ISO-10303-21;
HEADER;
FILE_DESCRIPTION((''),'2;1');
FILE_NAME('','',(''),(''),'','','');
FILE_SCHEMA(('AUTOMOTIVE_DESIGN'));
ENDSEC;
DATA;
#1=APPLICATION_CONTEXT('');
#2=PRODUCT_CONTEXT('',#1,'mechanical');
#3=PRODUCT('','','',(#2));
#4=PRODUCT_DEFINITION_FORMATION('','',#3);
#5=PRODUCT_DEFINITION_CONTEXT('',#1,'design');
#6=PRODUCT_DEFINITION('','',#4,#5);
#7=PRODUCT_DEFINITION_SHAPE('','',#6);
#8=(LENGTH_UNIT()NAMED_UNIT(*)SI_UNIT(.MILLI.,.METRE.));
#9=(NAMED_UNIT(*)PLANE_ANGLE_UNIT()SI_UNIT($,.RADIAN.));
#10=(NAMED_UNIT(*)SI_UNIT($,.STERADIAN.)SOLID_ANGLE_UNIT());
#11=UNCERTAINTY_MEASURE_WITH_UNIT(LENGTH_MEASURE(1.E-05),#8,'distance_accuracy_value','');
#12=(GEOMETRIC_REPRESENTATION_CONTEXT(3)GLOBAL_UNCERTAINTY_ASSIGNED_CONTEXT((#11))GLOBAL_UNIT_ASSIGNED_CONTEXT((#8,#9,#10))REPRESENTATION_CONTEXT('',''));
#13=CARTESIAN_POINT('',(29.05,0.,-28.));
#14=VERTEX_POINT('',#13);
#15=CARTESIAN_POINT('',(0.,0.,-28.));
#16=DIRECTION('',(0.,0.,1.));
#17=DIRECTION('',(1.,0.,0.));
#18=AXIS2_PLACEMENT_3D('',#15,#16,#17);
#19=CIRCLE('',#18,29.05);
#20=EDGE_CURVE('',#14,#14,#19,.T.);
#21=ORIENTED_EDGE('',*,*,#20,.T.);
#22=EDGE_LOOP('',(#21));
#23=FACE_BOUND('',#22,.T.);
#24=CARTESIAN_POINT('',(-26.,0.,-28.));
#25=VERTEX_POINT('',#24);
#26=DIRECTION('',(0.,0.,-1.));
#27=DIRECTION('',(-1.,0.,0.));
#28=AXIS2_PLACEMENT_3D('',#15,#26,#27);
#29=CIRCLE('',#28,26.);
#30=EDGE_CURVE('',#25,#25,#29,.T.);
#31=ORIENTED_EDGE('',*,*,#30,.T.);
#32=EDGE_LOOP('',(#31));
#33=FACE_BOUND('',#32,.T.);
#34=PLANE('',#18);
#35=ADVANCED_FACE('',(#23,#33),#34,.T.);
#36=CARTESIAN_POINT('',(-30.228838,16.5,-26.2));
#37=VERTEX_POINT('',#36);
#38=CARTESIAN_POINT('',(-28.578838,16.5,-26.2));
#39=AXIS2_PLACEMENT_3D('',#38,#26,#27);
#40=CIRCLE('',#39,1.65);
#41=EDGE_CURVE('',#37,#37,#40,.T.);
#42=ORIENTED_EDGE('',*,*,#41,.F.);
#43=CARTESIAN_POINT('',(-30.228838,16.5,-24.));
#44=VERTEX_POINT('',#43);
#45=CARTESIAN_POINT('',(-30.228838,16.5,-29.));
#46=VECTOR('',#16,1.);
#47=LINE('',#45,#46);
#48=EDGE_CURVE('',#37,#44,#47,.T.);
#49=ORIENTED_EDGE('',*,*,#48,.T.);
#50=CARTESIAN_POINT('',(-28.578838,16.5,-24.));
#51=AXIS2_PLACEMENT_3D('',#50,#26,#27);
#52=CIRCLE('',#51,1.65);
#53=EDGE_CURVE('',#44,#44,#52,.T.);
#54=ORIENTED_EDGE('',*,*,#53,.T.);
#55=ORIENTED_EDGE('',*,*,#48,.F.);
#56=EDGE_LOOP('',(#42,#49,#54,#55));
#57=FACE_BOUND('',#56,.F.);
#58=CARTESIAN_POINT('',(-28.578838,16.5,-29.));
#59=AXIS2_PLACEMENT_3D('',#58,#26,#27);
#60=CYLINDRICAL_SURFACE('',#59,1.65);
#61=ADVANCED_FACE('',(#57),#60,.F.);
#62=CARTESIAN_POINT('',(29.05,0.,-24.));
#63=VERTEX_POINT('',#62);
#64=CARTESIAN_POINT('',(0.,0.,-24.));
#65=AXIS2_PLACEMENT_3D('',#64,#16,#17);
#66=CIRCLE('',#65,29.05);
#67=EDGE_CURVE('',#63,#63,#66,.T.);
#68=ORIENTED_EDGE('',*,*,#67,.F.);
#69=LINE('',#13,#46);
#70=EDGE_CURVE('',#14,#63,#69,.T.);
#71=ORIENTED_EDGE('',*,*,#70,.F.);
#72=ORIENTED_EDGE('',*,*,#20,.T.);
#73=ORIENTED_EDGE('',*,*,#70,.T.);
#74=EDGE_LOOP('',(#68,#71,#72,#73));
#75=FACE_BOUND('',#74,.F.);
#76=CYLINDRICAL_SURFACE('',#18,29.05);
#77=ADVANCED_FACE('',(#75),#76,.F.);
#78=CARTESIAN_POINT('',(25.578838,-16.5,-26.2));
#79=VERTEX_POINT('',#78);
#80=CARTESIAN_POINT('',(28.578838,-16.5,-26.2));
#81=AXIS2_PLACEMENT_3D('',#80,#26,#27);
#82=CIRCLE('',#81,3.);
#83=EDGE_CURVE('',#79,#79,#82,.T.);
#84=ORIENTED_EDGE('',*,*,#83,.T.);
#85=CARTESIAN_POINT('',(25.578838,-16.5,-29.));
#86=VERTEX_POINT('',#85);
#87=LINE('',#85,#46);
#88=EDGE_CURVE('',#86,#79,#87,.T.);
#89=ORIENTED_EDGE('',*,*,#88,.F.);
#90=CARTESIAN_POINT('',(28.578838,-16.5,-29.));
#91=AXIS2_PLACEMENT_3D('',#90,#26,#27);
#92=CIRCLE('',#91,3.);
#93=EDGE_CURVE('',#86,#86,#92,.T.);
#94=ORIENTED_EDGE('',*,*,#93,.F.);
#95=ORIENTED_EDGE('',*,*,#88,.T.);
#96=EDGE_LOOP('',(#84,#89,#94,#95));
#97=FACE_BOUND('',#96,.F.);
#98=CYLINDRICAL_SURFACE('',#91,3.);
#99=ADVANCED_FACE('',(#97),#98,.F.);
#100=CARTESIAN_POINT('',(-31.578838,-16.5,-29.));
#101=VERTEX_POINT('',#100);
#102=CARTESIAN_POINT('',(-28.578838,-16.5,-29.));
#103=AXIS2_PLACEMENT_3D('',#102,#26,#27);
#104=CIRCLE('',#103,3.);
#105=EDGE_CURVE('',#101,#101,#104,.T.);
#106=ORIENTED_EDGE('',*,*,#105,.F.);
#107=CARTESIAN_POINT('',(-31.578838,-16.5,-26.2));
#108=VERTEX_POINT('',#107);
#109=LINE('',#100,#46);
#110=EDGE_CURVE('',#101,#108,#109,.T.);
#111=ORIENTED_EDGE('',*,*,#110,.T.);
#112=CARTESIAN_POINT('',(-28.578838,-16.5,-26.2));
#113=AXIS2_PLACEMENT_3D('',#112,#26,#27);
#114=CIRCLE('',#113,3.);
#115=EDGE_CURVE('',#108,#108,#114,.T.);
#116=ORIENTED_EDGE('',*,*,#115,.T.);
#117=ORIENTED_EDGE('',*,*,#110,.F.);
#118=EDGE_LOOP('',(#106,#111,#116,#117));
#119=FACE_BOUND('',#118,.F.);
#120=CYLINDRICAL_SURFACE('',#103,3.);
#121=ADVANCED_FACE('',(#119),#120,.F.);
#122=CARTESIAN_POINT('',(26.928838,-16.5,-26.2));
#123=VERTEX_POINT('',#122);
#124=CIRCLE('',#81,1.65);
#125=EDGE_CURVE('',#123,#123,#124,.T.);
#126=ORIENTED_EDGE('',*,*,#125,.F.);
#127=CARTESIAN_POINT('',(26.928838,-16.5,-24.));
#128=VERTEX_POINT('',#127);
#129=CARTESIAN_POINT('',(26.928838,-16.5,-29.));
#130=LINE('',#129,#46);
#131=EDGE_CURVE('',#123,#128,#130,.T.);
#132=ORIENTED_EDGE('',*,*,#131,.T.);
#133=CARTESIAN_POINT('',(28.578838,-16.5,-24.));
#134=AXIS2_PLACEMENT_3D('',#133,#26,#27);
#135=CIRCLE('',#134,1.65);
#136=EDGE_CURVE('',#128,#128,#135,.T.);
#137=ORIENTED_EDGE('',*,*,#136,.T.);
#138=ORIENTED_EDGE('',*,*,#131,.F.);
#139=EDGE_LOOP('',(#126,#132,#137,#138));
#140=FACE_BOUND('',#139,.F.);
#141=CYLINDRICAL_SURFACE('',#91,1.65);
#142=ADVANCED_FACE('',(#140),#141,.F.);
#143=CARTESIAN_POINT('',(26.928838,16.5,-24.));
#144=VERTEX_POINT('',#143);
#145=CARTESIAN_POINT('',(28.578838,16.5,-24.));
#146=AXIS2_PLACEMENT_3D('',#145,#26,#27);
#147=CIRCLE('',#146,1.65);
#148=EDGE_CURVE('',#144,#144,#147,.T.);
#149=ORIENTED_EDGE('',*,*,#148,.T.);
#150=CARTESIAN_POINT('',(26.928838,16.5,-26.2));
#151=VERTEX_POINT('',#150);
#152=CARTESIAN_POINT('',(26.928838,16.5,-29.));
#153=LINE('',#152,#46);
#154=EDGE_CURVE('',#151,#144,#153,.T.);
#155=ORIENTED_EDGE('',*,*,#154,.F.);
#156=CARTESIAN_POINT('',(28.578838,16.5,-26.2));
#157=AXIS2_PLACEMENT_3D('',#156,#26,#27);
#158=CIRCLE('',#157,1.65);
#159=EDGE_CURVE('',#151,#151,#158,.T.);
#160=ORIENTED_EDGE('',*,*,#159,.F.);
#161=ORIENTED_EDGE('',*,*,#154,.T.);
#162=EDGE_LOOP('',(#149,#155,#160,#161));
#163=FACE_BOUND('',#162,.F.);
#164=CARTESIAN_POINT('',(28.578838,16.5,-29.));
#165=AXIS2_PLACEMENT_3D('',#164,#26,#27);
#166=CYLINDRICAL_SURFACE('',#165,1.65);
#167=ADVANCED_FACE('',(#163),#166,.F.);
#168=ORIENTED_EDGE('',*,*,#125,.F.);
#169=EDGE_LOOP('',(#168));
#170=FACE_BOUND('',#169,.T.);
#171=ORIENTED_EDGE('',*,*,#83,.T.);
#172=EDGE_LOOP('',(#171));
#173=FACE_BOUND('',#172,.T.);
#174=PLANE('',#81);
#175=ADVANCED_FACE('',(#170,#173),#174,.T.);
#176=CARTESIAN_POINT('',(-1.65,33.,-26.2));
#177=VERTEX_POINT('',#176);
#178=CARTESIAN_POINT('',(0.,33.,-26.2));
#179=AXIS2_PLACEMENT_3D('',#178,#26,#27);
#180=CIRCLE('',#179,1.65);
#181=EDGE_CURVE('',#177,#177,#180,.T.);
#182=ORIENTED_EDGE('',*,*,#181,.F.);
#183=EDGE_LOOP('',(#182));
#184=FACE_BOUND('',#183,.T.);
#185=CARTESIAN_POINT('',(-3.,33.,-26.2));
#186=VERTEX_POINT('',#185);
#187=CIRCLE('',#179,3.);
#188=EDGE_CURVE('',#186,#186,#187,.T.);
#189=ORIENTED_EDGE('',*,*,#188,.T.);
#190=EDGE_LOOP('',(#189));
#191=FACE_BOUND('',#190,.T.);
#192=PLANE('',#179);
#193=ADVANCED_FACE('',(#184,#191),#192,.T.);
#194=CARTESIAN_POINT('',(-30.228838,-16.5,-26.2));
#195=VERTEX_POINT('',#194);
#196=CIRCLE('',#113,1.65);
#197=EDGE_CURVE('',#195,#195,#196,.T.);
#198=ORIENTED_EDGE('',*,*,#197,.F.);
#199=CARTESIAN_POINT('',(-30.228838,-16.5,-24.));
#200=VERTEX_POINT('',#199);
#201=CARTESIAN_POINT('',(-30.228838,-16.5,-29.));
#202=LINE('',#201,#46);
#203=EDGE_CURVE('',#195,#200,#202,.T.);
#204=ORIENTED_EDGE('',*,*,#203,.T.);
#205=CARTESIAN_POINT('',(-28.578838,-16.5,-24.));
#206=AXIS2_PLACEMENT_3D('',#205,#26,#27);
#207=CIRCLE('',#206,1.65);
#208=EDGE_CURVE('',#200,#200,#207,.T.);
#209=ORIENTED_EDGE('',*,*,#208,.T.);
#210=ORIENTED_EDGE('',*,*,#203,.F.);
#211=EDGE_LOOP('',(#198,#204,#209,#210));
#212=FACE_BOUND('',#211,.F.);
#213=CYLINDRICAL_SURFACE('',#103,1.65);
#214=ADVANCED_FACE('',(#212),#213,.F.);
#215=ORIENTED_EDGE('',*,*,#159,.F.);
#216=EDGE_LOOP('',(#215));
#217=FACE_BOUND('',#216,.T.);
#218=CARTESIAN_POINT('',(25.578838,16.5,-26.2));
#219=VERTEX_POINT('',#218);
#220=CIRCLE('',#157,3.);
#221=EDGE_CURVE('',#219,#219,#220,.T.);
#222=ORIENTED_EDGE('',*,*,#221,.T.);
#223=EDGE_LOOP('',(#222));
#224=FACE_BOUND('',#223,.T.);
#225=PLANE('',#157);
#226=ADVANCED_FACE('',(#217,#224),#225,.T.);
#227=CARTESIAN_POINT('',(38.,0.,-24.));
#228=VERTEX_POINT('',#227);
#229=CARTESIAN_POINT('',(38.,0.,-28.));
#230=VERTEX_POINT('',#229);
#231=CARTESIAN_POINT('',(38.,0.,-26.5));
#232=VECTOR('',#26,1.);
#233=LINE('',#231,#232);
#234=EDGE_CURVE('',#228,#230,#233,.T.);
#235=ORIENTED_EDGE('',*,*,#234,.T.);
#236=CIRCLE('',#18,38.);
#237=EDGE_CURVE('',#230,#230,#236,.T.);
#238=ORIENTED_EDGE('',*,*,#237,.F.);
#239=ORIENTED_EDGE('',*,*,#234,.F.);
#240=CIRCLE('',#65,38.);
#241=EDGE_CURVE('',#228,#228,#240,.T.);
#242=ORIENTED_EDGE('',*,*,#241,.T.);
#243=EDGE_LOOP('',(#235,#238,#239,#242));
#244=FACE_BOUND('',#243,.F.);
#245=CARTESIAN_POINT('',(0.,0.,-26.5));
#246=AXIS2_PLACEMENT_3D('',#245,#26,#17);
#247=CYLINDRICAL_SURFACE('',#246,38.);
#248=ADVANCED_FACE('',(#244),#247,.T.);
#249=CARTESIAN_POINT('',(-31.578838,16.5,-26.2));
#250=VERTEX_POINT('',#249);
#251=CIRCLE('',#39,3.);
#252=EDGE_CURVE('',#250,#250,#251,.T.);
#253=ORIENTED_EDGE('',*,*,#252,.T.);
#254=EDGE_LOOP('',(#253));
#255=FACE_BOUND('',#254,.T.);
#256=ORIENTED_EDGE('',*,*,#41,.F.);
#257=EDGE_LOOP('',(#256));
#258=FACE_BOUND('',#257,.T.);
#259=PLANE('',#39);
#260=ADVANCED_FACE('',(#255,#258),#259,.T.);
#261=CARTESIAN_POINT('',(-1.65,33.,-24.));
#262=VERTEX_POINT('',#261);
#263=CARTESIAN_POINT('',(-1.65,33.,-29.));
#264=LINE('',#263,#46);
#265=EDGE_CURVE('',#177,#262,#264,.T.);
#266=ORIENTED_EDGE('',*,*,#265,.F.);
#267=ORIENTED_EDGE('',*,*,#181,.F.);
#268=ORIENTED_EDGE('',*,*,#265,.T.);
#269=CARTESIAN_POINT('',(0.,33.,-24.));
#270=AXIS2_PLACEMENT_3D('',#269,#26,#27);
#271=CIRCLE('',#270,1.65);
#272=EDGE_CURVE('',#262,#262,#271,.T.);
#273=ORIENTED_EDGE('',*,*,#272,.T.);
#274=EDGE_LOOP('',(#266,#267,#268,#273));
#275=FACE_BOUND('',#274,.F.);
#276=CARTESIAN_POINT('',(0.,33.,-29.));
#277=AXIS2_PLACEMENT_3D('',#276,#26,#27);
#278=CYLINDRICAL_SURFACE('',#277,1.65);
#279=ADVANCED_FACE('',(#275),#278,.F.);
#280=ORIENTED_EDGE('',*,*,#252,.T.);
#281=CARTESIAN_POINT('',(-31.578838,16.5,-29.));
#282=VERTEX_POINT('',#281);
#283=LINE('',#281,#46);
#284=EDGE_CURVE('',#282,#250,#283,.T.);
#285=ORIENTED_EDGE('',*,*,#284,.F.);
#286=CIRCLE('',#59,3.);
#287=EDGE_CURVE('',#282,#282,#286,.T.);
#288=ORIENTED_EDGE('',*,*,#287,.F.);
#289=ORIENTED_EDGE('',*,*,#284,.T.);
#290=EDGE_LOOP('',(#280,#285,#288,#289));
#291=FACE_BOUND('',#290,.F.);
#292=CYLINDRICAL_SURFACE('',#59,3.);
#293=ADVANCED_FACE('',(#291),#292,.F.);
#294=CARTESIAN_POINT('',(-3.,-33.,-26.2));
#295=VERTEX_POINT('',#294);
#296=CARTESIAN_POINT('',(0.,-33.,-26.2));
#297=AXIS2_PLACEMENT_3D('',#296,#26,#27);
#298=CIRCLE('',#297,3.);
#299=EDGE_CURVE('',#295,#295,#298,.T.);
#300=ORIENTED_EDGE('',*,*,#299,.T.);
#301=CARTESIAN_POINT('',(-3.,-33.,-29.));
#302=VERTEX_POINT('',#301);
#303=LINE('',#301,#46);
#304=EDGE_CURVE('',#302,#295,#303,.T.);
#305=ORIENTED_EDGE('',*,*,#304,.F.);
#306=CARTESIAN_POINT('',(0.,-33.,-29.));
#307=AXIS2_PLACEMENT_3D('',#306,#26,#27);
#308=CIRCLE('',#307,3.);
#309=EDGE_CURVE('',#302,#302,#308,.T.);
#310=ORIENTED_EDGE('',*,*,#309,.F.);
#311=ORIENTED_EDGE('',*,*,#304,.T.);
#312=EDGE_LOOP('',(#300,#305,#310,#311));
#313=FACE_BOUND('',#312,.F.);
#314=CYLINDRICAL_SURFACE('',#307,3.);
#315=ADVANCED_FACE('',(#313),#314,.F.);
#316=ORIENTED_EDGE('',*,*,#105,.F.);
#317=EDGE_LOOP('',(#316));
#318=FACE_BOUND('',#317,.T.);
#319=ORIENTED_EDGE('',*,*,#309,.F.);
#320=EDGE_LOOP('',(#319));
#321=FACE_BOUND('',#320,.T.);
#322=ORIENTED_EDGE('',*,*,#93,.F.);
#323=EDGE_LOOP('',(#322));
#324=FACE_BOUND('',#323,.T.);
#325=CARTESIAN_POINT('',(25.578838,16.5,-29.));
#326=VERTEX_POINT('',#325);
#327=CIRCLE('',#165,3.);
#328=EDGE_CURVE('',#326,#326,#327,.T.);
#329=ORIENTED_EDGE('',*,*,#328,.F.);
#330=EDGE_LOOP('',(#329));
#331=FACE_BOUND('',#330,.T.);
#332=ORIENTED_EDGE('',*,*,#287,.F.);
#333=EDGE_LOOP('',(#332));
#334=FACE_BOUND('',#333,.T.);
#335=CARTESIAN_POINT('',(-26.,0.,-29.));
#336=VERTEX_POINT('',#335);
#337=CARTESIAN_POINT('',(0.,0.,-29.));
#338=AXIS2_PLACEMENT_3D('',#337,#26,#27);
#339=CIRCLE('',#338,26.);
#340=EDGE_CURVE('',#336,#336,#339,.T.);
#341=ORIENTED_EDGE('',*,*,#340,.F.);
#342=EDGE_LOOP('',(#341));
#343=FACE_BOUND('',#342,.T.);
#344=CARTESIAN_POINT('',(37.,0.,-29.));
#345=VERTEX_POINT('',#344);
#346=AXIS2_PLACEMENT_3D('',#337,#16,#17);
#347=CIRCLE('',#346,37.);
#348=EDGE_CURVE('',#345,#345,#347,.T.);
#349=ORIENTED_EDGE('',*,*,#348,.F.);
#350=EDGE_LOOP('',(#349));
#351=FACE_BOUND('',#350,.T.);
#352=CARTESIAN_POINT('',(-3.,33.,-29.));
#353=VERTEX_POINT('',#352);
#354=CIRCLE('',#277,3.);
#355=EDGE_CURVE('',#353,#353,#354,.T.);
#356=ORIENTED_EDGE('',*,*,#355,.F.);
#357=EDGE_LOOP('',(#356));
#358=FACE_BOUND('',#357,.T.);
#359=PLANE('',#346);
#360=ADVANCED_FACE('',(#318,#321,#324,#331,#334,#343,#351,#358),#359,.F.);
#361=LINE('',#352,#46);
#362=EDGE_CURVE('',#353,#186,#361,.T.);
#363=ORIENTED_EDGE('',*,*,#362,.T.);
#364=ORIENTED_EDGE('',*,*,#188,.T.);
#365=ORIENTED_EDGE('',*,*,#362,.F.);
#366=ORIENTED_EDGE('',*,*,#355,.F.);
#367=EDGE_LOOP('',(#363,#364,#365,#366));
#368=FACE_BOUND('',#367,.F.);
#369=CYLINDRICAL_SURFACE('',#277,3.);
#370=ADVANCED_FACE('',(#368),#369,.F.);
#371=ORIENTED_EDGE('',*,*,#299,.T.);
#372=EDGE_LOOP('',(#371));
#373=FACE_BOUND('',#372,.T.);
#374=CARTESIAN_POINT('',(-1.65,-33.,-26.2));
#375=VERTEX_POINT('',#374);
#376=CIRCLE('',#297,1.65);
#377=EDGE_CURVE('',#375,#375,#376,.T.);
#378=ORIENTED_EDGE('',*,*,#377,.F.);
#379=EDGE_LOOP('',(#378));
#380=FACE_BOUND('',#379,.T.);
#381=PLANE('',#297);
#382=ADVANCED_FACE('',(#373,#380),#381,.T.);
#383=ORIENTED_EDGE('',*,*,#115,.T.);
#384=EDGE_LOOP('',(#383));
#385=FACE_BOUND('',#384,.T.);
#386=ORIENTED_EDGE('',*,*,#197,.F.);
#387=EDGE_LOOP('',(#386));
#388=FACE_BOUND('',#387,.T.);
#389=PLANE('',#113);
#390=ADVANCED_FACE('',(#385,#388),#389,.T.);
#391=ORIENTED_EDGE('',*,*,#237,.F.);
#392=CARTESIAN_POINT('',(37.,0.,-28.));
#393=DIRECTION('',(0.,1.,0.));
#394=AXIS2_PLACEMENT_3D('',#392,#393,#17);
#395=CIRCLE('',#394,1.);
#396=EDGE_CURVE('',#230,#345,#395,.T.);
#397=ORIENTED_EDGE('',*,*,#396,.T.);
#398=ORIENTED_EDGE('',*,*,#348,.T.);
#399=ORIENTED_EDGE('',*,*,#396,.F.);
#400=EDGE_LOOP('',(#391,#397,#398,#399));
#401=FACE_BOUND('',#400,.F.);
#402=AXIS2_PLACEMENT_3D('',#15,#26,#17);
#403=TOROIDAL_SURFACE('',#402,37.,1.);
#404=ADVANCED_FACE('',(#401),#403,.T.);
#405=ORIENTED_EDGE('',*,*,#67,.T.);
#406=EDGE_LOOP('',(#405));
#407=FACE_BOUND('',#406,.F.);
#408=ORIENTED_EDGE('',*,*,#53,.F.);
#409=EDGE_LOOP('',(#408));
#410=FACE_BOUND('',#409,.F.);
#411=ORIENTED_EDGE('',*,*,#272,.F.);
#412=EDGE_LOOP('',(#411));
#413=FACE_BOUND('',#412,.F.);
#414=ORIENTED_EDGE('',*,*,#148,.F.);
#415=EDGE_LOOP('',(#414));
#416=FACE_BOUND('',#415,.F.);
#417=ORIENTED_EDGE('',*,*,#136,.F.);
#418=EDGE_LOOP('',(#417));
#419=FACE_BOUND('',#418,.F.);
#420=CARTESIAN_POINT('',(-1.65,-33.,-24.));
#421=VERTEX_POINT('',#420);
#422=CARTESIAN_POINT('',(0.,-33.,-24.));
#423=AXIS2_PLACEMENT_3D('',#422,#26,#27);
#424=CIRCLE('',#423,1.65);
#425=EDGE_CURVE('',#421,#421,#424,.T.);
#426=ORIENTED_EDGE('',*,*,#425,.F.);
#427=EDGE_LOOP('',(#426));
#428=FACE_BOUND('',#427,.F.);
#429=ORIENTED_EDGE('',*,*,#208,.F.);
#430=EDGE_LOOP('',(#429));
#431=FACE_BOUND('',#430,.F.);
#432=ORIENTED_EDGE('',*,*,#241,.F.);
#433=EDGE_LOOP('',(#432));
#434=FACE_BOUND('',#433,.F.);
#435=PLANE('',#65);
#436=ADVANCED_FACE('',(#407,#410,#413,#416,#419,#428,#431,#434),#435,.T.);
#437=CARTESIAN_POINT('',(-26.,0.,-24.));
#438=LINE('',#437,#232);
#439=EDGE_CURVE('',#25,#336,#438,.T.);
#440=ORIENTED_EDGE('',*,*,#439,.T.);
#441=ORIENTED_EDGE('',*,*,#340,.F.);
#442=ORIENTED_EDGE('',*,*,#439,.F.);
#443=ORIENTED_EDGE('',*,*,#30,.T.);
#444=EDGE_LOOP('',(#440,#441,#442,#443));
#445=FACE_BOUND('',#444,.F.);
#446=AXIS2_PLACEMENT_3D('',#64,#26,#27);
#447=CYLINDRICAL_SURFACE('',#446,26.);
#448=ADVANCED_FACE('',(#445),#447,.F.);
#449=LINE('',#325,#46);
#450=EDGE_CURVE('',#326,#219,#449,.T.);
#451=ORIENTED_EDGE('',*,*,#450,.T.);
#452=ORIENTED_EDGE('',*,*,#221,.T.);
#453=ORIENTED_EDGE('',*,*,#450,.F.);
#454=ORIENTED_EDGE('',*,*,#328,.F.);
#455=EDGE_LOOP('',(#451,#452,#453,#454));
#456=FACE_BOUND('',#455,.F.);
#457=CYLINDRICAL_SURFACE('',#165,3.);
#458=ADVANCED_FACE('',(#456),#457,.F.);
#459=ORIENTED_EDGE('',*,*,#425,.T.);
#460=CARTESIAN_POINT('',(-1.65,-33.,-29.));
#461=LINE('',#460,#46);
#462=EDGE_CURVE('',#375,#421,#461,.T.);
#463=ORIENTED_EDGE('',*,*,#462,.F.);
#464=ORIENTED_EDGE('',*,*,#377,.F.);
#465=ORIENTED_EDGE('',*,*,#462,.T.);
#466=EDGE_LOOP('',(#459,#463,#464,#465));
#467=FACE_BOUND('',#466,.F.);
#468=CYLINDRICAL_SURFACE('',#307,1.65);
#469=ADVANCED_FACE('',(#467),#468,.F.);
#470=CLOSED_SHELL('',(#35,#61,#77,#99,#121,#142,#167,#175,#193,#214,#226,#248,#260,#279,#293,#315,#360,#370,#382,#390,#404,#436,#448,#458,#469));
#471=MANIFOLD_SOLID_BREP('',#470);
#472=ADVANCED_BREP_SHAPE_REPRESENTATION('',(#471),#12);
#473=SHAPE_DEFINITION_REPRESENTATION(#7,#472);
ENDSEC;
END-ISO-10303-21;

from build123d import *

# Parameters (mm, degrees)
SKETCH_1_W                    = 38
SKETCH_1_H                    = 5
HOLE_WIZARD_M48_1_D           = 52
HOLE_WIZARD_M48_1_DEPTH       = 5
HOLE_WIZARD_M48_1_CBORE_D     = 58.1
HOLE_WIZARD_M48_1_CBORE_DEPTH = 4
SKETCH_16_R                   = 1.65
CUT_EXTRUDE_9_DEPTH           = 6
SKETCH_17_R                   = 3
CUT_EXTRUDE_10_DEPTH          = 2.8
FILLET_2_R                    = 1


with BuildPart() as part:
    # 草图1 → 旋转1 (revolve)
    with BuildSketch(Plane(origin=(0, 0, 0), x_dir=(1, 0, 0), z_dir=(0, 1, 0))):
        with Locations((19, 26.5)):
            Rectangle(SKETCH_1_W, SKETCH_1_H)
    revolve(axis=Axis((0, 0, -29), (0, 0, 1)))

    # M48 六角头螺栓的柱形沉头孔1
    with Locations(Plane.XY.offset(-24)):
        with Locations((0, 0)):
            CounterBoreHole(HOLE_WIZARD_M48_1_D / 2, HOLE_WIZARD_M48_1_CBORE_D / 2, HOLE_WIZARD_M48_1_CBORE_DEPTH, depth=HOLE_WIZARD_M48_1_DEPTH)

    # 草图16 → 切除-拉伸9 (cut, through all)
    with BuildSketch(Plane(origin=(0, 0, -29), x_dir=(-1, 0, 0), z_dir=(0, 0, -1))):
        with Locations((0, -33)):
            Circle(SKETCH_16_R)
        with Locations((-28.578838325, -16.5)):
            Circle(SKETCH_16_R)
        with Locations((-28.578838325, 16.5)):
            Circle(SKETCH_16_R)
        with Locations((0, 33)):
            Circle(SKETCH_16_R)
        with Locations((28.578838325, 16.5)):
            Circle(SKETCH_16_R)
        with Locations((28.578838325, -16.5)):
            Circle(SKETCH_16_R)
    extrude(amount=-CUT_EXTRUDE_9_DEPTH, mode=Mode.SUBTRACT)

    # 草图17 → 切除-拉伸10 (cut)
    with BuildSketch(Plane(origin=(0, 0, -29), x_dir=(-1, 0, 0), z_dir=(0, 0, -1))):
        with Locations((0, -33)):
            Circle(SKETCH_17_R)
        with Locations((-28.578838325, -16.5)):
            Circle(SKETCH_17_R)
        with Locations((-28.578838325, 16.5)):
            Circle(SKETCH_17_R)
        with Locations((0, 33)):
            Circle(SKETCH_17_R)
        with Locations((28.578838325, 16.5)):
            Circle(SKETCH_17_R)
        with Locations((28.578838325, -16.5)):
            Circle(SKETCH_17_R)
    extrude(amount=-CUT_EXTRUDE_10_DEPTH, mode=Mode.SUBTRACT)

    # 圆角2
    fillet_2_edges = [part.edges().sort_by_distance(p)[0] for p in [
        (-38, 0, -29),
    ]]
    fillet(fillet_2_edges, radius=FILLET_2_R)


solid = part.part
